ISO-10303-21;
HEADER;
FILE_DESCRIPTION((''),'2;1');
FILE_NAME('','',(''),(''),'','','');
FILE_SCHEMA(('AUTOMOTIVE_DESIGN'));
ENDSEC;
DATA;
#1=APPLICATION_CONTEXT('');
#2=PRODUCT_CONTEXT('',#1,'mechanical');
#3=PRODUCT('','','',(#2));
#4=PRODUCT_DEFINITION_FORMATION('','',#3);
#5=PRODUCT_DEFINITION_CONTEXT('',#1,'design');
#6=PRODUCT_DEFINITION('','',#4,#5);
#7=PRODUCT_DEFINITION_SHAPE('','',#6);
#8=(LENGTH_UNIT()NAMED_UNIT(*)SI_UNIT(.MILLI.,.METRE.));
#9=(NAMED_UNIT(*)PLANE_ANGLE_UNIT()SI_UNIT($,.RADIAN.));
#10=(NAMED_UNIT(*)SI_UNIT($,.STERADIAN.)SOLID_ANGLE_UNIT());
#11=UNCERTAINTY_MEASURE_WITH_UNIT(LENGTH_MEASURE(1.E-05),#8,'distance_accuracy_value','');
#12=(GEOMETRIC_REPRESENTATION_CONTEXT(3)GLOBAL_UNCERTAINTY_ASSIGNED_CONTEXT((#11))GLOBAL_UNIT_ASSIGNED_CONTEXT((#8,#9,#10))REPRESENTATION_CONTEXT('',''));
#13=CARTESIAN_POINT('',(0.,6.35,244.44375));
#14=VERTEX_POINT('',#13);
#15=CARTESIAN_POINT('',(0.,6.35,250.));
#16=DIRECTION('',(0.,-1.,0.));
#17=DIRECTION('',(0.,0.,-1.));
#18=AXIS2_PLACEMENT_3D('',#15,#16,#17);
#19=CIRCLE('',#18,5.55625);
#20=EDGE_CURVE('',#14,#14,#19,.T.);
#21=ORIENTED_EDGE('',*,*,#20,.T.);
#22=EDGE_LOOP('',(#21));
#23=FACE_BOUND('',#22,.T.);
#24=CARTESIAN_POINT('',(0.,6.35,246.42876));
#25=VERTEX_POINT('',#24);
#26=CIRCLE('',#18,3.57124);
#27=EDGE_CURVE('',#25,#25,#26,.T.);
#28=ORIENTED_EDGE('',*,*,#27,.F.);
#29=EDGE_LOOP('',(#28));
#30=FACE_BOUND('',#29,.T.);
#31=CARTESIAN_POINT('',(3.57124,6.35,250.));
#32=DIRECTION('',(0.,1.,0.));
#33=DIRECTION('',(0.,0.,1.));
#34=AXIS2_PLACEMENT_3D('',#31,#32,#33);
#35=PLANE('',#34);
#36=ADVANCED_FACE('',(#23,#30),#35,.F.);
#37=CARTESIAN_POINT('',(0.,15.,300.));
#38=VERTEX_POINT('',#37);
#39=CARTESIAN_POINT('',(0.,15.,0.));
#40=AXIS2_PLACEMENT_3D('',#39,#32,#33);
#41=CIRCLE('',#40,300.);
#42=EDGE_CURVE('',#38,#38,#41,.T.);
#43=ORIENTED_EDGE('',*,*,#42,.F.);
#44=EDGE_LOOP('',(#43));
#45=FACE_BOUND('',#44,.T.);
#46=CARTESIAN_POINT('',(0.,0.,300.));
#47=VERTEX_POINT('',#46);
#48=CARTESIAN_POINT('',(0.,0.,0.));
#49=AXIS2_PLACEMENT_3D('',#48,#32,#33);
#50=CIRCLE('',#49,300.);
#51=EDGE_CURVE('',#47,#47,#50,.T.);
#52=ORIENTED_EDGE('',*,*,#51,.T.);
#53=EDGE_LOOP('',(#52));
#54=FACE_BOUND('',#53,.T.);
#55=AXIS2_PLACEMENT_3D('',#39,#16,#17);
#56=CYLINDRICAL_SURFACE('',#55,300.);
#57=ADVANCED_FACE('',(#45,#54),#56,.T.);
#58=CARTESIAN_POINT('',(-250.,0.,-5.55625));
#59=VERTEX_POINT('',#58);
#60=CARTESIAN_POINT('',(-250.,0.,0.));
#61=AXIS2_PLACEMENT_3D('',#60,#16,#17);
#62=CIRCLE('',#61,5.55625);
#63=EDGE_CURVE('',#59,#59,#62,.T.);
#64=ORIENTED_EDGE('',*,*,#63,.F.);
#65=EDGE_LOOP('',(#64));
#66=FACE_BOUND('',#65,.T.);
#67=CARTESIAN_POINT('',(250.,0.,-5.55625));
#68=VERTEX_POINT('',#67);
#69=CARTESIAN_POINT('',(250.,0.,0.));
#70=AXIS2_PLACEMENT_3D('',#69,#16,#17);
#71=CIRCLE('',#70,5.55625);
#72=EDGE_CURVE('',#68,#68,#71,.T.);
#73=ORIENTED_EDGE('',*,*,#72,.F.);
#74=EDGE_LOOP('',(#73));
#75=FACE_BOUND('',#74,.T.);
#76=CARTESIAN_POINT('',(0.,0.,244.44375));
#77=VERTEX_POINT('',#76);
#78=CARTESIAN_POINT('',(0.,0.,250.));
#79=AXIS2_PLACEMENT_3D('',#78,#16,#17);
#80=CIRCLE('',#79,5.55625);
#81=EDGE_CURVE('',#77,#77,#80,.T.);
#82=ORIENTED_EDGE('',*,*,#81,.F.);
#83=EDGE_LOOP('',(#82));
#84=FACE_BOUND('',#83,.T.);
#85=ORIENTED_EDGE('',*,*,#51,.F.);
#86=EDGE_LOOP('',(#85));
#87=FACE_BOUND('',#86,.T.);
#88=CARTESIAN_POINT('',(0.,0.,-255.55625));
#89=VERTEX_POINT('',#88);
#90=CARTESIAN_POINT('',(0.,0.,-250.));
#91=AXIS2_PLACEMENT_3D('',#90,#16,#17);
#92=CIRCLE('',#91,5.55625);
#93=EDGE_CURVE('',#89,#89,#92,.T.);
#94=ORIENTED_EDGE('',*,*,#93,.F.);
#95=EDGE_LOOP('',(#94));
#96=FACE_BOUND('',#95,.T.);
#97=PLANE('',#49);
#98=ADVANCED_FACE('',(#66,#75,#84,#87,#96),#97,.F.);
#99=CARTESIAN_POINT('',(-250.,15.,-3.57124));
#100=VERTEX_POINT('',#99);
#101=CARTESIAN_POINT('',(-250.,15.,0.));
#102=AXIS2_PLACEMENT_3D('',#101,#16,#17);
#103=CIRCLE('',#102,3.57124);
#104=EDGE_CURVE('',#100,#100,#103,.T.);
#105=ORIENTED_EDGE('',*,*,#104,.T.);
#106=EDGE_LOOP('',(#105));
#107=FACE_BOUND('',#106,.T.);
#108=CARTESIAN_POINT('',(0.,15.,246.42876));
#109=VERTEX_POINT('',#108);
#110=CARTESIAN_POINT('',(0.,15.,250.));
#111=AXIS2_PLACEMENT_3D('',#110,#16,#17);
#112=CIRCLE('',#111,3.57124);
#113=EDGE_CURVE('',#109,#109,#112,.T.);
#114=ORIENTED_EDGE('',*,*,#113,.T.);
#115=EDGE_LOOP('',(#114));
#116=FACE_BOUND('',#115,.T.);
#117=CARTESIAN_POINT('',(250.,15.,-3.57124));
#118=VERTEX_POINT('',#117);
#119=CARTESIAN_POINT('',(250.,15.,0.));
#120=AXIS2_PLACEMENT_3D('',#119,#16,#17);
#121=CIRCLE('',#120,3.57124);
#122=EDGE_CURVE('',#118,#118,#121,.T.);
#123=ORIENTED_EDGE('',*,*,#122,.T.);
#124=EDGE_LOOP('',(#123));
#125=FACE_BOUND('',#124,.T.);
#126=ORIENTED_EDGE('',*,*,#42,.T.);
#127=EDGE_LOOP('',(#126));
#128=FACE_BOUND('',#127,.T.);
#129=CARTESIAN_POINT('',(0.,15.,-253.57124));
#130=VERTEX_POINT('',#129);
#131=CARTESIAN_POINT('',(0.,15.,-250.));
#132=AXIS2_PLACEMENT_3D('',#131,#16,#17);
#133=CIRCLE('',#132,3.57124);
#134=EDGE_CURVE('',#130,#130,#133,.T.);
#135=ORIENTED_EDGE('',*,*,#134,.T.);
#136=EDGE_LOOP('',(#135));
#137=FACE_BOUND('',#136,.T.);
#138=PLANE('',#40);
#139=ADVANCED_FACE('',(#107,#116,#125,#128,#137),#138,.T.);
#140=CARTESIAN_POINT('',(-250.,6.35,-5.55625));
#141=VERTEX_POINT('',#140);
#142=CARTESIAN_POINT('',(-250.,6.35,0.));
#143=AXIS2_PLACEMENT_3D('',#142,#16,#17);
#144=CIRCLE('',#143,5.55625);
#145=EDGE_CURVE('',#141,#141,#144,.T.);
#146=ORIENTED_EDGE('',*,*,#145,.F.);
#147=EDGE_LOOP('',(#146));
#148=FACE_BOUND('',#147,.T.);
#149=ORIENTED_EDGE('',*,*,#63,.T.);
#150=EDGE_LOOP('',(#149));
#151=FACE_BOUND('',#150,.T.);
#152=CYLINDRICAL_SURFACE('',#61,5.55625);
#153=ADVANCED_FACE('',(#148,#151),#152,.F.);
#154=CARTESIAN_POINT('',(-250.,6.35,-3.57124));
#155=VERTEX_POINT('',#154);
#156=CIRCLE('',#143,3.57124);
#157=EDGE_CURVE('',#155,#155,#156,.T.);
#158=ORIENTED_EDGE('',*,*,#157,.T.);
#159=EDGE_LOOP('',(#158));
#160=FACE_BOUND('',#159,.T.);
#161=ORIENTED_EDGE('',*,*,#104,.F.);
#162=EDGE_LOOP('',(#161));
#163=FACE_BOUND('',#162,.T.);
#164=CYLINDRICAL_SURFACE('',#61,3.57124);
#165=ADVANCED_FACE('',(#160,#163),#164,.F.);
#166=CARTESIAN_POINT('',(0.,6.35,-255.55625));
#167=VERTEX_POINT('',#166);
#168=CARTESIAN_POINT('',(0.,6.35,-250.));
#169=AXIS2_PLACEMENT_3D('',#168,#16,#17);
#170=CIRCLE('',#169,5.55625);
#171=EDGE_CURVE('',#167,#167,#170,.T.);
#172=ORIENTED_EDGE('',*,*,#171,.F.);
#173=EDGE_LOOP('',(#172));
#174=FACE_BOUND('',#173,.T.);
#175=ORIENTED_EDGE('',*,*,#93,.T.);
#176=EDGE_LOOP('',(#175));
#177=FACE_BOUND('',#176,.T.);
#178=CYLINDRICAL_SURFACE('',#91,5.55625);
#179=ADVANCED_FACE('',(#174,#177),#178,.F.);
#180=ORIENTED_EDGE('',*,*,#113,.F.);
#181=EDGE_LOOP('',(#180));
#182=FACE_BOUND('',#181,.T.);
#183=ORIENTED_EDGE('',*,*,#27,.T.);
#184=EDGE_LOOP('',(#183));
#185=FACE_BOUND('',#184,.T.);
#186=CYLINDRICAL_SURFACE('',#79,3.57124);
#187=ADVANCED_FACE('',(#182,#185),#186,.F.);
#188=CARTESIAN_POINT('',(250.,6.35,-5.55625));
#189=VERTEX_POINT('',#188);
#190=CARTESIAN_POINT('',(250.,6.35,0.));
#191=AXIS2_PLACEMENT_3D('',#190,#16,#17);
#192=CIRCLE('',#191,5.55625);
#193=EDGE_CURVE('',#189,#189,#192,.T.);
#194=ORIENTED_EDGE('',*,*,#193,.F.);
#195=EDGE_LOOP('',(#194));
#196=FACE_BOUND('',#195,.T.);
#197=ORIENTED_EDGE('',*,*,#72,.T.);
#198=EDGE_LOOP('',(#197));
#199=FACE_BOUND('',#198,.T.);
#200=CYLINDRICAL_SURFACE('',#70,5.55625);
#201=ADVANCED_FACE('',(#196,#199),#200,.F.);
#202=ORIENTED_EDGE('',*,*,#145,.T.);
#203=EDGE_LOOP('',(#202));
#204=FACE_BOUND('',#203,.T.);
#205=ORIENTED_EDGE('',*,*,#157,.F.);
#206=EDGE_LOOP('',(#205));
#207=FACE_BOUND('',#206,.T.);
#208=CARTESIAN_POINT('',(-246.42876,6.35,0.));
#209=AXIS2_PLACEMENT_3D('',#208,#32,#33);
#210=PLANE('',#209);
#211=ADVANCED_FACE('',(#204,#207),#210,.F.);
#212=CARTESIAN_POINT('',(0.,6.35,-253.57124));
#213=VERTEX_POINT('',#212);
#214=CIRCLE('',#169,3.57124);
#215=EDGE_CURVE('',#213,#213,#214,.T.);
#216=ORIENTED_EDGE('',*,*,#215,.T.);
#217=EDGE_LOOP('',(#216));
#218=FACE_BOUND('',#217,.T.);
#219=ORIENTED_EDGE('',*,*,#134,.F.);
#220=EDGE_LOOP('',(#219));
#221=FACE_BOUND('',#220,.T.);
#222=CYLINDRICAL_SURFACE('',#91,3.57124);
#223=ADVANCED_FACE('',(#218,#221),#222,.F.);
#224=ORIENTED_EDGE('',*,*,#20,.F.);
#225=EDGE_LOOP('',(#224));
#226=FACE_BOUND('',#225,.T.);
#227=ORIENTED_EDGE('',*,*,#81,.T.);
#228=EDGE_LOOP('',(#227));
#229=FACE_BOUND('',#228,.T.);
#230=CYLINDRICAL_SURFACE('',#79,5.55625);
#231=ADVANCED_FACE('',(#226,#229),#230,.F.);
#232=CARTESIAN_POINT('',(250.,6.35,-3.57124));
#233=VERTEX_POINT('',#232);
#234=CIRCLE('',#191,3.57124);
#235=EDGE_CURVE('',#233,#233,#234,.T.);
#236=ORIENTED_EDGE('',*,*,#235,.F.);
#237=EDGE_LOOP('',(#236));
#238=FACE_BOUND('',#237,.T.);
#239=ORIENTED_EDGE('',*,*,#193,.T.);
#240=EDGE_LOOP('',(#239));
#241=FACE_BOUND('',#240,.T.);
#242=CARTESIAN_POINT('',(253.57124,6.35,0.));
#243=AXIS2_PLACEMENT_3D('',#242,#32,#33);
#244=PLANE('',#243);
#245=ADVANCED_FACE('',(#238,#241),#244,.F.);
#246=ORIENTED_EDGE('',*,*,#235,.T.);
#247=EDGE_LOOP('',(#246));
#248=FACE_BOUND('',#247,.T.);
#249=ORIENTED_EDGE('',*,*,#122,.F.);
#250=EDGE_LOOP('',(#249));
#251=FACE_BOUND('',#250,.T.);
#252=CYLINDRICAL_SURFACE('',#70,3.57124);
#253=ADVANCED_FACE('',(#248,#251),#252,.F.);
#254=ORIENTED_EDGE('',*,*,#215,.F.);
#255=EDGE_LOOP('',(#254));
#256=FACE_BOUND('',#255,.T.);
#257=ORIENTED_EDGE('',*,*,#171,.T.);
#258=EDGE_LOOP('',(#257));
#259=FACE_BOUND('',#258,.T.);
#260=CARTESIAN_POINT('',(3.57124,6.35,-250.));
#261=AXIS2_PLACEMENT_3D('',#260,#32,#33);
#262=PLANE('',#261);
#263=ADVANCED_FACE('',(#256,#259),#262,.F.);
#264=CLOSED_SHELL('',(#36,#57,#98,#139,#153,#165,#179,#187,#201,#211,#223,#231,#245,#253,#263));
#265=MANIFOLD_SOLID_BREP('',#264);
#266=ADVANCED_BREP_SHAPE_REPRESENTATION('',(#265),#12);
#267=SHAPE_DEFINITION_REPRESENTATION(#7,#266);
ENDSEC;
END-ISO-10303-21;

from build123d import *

# Parameters (mm, degrees)
SKETCH1_R                                        = 300
BOSS_EXTRUDE1_DEPTH                              = 15
CBORE_FOR_1_4_SOCKET_HEAD_CAP_SCREW1_D           = 7.14248
CBORE_FOR_1_4_SOCKET_HEAD_CAP_SCREW1_CBORE_D     = 11.1125
CBORE_FOR_1_4_SOCKET_HEAD_CAP_SCREW1_CBORE_DEPTH = 6.35


with BuildPart() as part:
    # Sketch1 → Boss-Extrude1 (new body)
    with BuildSketch(Plane(origin=(0, 0, 0), x_dir=(1, 0, 0), z_dir=(0, 1, 0))):
        with Locations(Location((0, 0, 0), (0, 0, 270))):
            Circle(SKETCH1_R)
    extrude(amount=BOSS_EXTRUDE1_DEPTH)

    # CBORE for 1/4 Socket Head Cap Screw1 (through all)
    with Locations(Plane.XZ):
        with Locations((-250, 0), (0, -250), (250, 0), (0, 250)):
            CounterBoreHole(CBORE_FOR_1_4_SOCKET_HEAD_CAP_SCREW1_D / 2, CBORE_FOR_1_4_SOCKET_HEAD_CAP_SCREW1_CBORE_D / 2, CBORE_FOR_1_4_SOCKET_HEAD_CAP_SCREW1_CBORE_DEPTH)


solid = part.part
